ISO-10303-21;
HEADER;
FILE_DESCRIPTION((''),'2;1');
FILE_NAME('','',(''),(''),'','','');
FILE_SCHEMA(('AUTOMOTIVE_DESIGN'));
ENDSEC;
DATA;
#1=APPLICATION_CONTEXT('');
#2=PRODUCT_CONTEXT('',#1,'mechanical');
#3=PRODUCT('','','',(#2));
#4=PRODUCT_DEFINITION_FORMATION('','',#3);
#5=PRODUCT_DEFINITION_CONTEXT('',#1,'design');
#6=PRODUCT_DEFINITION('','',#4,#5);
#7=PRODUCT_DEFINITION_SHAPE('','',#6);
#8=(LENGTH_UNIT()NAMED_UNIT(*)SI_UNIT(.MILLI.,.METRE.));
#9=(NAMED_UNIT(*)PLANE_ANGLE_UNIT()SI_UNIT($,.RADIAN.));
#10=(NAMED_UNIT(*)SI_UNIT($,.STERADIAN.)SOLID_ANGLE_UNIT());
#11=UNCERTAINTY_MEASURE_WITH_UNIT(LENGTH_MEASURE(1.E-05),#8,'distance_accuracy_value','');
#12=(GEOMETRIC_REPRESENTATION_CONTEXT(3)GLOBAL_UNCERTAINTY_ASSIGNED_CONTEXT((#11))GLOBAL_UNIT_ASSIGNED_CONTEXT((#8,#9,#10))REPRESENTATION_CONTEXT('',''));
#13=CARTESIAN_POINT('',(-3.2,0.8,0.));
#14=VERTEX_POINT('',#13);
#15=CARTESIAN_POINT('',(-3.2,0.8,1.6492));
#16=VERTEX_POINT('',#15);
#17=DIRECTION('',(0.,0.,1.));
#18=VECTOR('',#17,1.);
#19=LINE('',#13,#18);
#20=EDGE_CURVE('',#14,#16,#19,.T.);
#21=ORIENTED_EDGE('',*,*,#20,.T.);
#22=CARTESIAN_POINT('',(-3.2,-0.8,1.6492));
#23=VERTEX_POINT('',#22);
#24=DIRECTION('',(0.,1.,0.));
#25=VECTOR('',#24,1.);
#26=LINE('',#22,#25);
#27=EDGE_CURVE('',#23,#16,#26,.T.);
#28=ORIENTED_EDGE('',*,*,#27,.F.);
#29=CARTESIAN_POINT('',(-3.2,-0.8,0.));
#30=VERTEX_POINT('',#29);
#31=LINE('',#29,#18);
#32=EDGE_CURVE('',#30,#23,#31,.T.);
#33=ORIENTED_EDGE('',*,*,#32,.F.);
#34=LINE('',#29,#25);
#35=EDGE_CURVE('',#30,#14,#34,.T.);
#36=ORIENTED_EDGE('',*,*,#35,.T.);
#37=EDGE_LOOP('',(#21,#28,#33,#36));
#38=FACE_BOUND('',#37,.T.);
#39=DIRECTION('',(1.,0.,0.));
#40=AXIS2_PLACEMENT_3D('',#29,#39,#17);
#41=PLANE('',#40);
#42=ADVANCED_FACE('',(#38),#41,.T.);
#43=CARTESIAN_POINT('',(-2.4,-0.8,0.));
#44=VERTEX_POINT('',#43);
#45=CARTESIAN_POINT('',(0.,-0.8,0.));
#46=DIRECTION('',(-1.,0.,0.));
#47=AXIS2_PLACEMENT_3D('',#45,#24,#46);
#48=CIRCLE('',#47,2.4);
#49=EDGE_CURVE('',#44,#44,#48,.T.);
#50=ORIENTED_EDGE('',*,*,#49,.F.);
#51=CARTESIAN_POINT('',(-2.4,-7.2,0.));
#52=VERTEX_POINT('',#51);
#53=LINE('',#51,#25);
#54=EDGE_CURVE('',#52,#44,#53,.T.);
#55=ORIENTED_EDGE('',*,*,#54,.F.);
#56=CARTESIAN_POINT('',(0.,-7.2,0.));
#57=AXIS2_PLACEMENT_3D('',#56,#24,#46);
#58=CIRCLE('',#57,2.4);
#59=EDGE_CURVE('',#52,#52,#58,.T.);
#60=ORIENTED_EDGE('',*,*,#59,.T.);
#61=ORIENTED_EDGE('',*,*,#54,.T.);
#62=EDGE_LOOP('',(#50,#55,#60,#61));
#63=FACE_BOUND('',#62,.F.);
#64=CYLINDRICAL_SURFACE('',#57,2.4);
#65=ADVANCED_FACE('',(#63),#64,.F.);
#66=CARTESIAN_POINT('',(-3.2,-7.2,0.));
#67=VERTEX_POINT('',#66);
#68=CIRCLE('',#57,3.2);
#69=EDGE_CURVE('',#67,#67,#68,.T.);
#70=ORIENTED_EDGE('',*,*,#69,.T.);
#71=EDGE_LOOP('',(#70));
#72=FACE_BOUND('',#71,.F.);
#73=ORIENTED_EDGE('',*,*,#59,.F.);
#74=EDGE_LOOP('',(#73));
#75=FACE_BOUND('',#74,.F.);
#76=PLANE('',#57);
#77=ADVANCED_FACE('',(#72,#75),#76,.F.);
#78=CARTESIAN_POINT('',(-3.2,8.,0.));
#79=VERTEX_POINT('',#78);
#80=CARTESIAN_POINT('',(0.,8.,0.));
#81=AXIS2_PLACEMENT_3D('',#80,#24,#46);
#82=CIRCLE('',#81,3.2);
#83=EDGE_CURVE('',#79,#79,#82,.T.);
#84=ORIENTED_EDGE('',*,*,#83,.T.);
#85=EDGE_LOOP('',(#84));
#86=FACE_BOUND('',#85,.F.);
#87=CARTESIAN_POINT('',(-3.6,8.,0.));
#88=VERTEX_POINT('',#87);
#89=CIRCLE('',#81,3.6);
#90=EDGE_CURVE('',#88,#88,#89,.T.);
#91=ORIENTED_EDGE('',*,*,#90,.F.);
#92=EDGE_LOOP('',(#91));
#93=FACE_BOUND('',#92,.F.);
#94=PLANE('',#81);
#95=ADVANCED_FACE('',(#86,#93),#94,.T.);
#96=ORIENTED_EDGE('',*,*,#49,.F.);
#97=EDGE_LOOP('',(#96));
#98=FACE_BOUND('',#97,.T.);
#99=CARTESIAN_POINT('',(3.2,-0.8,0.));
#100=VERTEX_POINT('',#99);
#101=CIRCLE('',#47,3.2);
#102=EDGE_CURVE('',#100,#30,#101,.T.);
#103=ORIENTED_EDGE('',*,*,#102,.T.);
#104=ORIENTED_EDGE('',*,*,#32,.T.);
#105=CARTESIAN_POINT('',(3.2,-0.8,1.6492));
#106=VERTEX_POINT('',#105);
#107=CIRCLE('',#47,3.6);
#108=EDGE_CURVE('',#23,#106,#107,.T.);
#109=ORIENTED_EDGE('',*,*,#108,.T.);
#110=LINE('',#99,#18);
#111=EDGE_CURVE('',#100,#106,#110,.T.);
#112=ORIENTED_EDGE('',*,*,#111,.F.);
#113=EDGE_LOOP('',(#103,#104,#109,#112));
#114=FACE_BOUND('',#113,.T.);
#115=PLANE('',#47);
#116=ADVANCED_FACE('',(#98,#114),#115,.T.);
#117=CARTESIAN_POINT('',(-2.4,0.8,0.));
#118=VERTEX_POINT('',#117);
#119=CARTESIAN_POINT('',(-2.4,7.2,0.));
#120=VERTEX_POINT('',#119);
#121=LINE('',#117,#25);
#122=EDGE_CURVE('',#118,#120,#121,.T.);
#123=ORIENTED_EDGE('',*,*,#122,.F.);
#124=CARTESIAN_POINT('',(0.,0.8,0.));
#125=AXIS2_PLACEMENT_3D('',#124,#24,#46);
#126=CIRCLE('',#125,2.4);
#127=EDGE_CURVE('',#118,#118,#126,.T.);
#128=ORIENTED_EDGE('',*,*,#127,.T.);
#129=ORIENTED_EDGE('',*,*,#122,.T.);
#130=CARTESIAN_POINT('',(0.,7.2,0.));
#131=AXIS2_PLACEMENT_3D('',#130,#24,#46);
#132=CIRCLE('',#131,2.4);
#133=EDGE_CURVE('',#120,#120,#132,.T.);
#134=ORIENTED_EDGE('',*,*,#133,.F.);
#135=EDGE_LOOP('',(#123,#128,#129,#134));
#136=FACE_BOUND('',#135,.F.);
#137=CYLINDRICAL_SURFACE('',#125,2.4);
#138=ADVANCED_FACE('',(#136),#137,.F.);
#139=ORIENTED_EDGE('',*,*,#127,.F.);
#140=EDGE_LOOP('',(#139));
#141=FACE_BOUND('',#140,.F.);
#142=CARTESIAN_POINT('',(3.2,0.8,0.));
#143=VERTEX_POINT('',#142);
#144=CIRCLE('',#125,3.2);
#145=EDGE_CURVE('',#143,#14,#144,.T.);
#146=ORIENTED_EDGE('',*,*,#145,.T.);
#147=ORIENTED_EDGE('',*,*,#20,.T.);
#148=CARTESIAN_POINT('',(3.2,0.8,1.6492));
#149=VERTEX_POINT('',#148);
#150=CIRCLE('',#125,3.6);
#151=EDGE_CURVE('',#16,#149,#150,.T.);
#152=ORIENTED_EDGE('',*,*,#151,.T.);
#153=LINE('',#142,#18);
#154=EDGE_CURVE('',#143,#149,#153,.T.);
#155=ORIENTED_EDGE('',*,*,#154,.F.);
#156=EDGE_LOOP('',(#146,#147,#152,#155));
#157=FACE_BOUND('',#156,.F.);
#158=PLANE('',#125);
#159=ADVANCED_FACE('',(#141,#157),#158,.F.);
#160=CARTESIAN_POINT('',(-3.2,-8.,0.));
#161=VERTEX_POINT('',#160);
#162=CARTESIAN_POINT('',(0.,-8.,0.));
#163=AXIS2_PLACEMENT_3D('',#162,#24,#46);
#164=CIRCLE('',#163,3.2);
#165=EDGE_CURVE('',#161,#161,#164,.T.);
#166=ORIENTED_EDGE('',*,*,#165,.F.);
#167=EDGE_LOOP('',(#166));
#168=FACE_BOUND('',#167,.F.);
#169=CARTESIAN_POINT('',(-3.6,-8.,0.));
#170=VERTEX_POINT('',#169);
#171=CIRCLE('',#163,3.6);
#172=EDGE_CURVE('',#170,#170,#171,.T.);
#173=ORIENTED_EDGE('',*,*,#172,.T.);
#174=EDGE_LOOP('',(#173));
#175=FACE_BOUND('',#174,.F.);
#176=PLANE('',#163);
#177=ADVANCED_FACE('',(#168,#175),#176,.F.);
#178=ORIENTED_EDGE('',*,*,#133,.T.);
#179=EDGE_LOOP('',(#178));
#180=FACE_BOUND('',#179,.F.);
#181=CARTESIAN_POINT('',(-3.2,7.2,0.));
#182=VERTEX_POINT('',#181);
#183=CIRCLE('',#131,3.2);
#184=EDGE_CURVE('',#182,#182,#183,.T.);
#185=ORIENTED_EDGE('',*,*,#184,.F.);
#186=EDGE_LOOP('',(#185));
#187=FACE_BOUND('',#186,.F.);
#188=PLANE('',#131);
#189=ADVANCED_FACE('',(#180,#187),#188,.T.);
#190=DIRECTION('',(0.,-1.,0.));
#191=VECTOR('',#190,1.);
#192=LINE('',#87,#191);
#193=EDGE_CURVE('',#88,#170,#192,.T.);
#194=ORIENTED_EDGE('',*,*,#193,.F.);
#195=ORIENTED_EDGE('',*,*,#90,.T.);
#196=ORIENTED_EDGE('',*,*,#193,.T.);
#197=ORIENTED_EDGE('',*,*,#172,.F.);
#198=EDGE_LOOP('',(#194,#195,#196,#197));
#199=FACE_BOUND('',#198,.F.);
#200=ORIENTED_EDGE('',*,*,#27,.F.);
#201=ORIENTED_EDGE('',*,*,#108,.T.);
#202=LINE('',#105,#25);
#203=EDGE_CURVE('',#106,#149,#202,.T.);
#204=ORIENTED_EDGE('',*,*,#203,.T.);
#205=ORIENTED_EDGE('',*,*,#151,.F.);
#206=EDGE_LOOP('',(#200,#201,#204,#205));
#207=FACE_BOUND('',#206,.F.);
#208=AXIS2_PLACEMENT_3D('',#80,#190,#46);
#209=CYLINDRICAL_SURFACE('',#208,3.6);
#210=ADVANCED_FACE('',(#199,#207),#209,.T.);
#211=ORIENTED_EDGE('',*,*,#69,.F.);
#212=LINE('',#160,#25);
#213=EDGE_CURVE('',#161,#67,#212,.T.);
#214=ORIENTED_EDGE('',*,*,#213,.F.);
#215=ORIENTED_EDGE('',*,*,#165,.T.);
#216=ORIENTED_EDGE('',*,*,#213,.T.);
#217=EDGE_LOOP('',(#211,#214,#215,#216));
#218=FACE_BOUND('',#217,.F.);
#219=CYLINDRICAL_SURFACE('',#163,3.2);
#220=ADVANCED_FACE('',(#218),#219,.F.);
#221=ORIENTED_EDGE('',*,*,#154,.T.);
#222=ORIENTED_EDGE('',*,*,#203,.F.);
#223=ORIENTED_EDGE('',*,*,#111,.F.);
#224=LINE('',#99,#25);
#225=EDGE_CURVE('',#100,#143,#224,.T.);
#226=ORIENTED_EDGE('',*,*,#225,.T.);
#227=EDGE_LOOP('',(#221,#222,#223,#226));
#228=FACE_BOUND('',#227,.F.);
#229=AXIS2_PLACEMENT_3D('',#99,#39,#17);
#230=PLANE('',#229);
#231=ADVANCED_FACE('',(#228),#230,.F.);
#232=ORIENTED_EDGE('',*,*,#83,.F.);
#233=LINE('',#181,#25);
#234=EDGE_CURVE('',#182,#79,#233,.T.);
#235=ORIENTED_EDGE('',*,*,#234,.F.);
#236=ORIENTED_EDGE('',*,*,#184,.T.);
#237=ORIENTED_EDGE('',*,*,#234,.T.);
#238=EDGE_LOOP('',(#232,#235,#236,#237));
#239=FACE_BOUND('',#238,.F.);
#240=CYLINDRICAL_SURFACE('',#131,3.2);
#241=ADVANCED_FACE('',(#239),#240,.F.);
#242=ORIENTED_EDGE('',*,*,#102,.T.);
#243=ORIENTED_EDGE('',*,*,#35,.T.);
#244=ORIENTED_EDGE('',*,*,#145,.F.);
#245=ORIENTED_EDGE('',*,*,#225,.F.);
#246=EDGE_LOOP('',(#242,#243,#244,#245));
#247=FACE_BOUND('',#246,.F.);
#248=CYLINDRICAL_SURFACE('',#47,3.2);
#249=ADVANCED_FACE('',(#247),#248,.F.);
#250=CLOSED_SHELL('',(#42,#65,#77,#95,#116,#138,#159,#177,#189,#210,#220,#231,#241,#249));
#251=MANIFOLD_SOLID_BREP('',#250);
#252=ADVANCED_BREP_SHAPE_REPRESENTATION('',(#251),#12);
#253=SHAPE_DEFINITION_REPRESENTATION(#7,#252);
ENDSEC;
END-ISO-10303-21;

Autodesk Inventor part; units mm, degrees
ref_plane "YZ Plane" through (0, 0, 0) normal (1, 0, 0) x (0, 1, 0)
ref_plane "XZ Plane" through (0, 0, 0) normal (0, 1, 0) x (-1, 0, 0)
ref_plane "XY Plane" through (0, 0, 0) normal (0, 0, 1) x (1, 0, 0)
sketch "Sketch2" plane through (0, 0, 0) normal (0, 0, 1) x (1, 0, 0)
  line L0 (0, -11.2) -> (0, 11.2) projected
  line L1 (-3.6, 8) -> (-3.6, -8)
  line L2 (-3.6, -8) -> (-3.2, -8)
  line L3 (-3.2, -8) -> (-3.2, -7.2)
  line L4 (-3.2, -7.2) -> (-2.4, -7.2)
  line L5 (-2.4, -7.2) -> (-2.4, -0.8)
  line L6 (-2.4, -0.8) -> (-3.2, -0.8)
  line L7 (-3.2, -0.8) -> (-3.2, 0.8)
  line L8 (-3.2, 0.8) -> (-2.4, 0.8)
  line L9 (-2.4, 0.8) -> (-2.4, 7.2)
  line L10 (-2.4, 7.2) -> (-3.2, 7.2)
  line L11 (-3.2, 7.2) -> (-3.2, 8)
  line L12 (-3.2, 8) -> (-3.6, 8)
  point P0 (0, 0)
  point P1 (-3.2, 0)
  dimension "d0" = 16
  dimension "d1" = 6.4
  dimension "d2" = 7.2
  dimension "d3" = 4.8
  dimension "d4" = 0.8
  dimension "d5" = 1.6
revolve "Revolution1" add sketch "Sketch2" angle 360 about axis through (0, -10, 0) along (0, 1, 0)
sketch "Sketch3" plane through (0, 0, 0) normal (0, 1, 0) x (-1, 0, 0)
  circle A0 centre (0, 0) radius 3.2 projected
  circle A1 centre (0, 0) radius 3.6 projected
  line L0 (-3.2, 0) -> (-3.2, 1.6492)
  line L1 (3.2, 0) -> (3.2, 1.6492)
extrude "Extrusion1" cut sketch "Sketch3" along normal up to surface (1.6 mm away) from surface at -0.8 contours A0 L0 A1 L1 picked at (-0.1286, 3.4412)
equation "\"d0\" = 2 * lu"
equation "\"d1\" = tsd"
equation "\"d2\" = tlad"
equation "\"d3\" = tpd"
equation "\"d4\" = tsl"
equation "\"d5\" = 2 * tsl"
equation "\"lu\" = 8"
equation "\"tsd\" = 6.4"
equation "\"tlad\" = 7.2"
equation "\"tpd\" = 4.8"
equation "\"tsl\" = 0.8"
properties part number "62462-LtBluishGray" material "ABS Plastic"
